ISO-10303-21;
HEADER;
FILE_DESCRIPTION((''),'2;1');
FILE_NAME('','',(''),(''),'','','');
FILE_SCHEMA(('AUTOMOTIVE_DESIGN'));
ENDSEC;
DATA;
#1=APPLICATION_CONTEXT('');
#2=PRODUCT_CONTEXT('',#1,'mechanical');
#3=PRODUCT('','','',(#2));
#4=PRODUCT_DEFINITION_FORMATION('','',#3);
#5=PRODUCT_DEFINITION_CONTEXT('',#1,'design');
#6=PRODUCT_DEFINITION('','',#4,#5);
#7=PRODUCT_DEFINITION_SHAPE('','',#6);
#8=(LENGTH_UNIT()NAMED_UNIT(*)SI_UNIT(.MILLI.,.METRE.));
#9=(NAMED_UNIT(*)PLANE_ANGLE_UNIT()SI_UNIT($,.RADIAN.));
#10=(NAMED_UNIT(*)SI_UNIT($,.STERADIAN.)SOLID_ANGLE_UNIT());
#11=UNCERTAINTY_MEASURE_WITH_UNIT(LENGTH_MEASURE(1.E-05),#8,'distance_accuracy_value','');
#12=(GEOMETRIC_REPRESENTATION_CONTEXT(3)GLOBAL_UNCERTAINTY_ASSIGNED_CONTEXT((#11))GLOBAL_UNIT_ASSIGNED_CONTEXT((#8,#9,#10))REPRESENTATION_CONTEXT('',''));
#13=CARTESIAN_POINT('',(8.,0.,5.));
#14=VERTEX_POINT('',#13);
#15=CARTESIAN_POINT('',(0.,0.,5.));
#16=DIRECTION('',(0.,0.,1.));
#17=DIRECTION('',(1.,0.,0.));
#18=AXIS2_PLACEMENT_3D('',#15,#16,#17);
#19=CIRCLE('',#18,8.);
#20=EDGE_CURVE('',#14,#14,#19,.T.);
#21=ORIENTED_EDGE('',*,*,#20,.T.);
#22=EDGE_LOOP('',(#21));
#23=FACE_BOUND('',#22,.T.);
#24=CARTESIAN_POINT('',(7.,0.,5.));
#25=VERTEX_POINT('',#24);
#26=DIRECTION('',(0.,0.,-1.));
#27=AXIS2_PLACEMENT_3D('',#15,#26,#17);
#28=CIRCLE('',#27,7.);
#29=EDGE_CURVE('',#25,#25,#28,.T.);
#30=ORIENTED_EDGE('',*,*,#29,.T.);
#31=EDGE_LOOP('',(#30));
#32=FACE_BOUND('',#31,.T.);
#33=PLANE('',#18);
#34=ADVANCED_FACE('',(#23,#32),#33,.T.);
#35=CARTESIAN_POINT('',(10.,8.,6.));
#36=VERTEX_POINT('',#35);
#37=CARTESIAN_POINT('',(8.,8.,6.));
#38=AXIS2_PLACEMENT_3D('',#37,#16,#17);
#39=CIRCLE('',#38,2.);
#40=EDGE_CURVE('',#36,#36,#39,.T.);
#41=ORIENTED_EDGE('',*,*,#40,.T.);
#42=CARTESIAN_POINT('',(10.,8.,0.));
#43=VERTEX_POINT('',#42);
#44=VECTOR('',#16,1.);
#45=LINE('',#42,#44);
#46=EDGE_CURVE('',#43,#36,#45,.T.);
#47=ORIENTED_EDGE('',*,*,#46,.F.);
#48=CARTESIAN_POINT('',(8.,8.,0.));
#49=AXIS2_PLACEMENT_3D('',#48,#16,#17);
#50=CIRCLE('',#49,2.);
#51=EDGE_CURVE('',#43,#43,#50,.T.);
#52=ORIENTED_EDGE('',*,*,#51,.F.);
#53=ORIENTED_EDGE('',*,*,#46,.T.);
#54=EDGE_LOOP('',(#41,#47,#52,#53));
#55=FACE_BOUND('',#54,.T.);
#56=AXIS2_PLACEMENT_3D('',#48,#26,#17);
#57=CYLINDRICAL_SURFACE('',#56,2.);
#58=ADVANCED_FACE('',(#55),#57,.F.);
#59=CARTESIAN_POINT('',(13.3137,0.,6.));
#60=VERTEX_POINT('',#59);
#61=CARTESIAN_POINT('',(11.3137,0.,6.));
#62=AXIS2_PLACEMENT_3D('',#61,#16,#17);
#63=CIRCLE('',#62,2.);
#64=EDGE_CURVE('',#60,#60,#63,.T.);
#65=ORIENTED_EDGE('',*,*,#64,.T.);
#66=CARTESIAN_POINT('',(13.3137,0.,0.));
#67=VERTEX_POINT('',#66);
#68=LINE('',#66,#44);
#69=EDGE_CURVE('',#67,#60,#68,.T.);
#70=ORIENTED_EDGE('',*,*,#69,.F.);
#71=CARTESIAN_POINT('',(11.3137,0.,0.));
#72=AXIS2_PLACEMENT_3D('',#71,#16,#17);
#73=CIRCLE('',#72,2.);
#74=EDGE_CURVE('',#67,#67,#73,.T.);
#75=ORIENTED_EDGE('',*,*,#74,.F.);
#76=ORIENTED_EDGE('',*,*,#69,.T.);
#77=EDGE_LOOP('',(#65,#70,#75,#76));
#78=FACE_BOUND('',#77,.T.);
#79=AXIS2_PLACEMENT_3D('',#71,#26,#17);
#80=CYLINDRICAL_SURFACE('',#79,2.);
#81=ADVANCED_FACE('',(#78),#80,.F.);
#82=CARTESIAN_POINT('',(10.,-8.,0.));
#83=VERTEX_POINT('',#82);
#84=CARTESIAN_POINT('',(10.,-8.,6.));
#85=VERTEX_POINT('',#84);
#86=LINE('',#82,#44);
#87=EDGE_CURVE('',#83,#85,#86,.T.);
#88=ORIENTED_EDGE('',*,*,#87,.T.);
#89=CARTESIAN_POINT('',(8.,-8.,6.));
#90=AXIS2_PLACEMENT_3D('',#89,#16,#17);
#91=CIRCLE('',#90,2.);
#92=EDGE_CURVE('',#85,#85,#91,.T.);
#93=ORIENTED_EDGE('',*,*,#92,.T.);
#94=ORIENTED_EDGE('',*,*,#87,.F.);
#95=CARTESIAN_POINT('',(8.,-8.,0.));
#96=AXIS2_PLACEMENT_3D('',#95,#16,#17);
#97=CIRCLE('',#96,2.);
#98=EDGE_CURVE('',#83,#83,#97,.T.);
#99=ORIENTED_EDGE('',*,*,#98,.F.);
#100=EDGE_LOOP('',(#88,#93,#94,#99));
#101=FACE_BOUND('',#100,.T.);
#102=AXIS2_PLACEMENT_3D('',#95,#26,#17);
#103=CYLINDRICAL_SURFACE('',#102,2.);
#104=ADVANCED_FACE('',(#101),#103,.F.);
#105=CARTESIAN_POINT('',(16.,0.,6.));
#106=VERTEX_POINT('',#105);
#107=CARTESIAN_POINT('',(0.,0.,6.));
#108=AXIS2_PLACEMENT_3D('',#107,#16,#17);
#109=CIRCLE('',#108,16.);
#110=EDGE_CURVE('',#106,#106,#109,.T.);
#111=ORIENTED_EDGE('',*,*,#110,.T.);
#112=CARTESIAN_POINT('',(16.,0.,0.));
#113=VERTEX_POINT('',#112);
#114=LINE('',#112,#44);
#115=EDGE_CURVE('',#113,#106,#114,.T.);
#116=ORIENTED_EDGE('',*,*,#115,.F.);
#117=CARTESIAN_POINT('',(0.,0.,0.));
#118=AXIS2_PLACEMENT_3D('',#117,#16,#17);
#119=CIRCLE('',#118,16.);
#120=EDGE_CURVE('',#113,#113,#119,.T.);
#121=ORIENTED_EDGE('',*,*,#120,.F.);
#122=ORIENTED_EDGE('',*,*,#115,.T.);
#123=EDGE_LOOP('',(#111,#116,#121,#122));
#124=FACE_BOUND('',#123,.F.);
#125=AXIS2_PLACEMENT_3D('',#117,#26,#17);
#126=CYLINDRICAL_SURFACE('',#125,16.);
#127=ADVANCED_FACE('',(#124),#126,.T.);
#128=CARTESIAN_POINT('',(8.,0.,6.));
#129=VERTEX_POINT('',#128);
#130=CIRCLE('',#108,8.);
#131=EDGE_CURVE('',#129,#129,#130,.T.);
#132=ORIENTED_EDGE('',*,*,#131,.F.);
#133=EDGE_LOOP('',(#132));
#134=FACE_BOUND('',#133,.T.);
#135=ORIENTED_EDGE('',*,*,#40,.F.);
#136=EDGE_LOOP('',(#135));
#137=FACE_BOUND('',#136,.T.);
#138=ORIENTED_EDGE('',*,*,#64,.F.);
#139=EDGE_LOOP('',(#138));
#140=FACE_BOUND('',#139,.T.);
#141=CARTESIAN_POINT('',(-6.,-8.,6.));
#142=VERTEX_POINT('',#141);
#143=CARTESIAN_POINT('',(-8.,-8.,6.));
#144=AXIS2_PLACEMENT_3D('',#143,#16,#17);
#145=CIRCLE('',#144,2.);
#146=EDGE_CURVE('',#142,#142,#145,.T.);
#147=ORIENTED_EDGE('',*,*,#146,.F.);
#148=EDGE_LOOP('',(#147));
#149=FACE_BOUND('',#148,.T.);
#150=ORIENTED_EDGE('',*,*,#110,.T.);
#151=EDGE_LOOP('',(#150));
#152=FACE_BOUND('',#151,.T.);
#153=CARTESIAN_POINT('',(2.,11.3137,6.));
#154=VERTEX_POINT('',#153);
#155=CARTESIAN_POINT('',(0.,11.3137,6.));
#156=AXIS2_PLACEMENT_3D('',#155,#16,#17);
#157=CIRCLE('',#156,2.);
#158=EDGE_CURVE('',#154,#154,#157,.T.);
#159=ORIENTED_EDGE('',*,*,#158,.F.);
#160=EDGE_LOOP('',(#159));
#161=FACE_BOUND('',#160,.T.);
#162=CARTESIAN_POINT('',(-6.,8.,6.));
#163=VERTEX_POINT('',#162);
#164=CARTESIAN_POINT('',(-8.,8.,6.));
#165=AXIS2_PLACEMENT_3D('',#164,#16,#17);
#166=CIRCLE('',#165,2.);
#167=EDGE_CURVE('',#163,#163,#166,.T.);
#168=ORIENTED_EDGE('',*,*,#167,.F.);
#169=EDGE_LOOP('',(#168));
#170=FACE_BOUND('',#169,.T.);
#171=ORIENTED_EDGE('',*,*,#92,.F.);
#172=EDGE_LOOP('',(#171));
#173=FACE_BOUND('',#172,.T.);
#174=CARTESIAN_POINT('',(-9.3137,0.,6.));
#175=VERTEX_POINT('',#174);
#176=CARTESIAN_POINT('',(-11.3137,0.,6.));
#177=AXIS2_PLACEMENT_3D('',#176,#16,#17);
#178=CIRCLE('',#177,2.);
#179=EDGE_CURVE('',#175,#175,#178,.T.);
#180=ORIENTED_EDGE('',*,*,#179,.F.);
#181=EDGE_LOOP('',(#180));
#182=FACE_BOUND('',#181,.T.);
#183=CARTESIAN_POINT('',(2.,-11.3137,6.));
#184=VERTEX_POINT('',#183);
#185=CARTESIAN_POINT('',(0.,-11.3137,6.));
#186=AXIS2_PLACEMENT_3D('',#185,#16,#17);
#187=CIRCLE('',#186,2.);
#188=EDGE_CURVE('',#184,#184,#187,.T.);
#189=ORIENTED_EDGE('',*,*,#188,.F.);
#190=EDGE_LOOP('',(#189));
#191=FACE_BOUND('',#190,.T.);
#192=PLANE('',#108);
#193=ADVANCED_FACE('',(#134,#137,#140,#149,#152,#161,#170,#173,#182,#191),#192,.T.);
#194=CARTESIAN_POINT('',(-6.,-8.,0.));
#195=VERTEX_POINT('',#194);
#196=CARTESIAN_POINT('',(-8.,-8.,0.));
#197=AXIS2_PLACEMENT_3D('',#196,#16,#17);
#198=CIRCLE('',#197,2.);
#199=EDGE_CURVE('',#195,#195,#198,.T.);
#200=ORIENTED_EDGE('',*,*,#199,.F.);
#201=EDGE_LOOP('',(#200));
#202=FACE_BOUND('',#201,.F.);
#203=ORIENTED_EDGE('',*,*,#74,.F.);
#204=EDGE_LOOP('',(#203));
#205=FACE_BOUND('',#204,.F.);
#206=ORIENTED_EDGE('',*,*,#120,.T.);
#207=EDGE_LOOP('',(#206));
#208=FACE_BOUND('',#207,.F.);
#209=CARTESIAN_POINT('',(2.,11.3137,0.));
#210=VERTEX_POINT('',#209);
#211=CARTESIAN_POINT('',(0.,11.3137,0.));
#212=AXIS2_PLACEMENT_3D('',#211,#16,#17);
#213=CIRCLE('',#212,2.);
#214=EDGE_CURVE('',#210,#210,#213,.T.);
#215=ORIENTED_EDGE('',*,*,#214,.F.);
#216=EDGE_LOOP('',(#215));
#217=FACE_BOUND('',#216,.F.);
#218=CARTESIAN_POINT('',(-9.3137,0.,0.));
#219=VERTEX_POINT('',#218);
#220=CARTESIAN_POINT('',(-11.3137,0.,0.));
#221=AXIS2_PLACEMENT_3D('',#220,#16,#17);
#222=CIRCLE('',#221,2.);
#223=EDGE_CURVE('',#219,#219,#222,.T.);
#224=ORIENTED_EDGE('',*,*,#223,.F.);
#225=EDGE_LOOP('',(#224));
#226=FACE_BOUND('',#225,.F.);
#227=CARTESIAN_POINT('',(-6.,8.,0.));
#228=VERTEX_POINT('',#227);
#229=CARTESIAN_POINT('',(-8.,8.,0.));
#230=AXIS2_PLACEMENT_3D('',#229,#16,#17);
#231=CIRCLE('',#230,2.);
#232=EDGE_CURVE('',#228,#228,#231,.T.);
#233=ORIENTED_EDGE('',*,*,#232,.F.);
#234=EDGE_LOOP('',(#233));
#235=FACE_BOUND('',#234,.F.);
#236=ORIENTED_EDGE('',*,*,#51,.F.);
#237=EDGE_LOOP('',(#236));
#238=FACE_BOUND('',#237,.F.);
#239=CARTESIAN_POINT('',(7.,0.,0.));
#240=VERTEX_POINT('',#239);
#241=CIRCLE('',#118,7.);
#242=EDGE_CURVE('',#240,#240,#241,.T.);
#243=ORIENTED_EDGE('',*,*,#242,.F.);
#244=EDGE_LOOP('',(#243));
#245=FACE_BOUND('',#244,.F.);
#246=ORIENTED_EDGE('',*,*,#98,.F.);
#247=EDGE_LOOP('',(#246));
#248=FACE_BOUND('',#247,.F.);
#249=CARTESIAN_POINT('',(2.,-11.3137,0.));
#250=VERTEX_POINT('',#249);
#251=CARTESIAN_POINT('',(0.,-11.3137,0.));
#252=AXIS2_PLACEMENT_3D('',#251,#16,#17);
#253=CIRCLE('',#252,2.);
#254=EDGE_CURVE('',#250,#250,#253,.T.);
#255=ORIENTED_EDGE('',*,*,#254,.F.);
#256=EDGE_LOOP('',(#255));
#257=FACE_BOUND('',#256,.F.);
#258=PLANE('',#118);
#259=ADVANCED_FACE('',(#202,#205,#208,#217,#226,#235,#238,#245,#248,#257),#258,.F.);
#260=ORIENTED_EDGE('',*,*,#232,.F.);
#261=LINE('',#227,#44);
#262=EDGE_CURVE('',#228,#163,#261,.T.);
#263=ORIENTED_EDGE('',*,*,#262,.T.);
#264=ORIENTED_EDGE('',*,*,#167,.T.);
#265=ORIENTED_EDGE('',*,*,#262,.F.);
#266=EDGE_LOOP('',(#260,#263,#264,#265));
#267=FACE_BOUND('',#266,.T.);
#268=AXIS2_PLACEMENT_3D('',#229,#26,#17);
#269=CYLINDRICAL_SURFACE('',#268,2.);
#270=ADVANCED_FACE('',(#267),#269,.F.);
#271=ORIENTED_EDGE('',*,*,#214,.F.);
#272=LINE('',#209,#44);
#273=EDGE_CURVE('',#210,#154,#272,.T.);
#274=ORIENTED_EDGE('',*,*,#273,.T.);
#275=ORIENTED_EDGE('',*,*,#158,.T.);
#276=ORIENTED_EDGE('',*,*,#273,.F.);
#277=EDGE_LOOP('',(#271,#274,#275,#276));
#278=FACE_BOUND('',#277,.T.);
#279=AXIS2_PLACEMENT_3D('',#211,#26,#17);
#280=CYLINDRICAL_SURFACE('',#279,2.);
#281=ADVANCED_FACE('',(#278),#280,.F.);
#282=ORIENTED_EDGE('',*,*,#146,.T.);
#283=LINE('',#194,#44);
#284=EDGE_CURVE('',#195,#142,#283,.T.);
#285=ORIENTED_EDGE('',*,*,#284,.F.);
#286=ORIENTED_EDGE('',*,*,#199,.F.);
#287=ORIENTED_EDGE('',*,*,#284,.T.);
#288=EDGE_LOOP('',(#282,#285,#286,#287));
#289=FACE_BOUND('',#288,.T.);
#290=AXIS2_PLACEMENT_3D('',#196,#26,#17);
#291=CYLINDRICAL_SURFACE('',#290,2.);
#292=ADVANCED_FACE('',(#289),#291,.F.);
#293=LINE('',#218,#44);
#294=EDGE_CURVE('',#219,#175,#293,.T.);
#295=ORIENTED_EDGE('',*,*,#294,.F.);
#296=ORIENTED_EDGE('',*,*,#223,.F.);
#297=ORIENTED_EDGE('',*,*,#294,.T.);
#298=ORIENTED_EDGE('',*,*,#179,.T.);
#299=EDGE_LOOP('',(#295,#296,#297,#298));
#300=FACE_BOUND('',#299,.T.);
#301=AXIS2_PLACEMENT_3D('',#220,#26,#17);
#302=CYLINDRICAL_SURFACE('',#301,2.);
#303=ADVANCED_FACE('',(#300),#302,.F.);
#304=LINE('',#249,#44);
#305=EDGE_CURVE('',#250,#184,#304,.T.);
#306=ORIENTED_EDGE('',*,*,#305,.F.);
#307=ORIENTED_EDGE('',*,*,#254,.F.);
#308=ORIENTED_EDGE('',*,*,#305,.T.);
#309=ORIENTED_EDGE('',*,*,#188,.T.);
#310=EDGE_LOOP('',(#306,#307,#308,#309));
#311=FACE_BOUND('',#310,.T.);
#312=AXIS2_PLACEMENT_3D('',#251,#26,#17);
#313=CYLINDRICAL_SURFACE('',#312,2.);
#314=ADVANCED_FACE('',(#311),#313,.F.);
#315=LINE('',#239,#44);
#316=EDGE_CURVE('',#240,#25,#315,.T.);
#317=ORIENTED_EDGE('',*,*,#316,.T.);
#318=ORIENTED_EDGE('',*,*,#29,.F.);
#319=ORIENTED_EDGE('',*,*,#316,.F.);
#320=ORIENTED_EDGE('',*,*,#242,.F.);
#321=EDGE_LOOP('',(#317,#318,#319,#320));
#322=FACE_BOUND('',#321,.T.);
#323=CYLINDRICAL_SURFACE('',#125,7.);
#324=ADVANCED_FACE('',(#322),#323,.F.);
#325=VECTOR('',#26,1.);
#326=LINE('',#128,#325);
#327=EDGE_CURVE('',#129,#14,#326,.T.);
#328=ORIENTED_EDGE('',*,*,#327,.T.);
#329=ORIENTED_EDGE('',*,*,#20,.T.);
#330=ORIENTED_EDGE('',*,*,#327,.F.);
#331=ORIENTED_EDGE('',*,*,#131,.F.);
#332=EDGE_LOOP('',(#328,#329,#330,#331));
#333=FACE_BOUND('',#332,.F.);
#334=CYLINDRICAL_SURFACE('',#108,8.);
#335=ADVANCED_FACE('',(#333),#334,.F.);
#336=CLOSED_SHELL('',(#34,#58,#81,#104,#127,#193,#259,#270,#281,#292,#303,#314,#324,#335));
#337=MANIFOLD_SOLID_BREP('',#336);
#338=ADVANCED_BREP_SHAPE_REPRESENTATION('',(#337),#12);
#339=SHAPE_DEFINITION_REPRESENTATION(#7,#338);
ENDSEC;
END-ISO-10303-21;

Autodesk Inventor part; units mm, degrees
ref_plane "YZ Plane" through (0, 0, 0) normal (1, 0, 0) x (0, 1, 0)
ref_plane "XZ Plane" through (0, 0, 0) normal (0, 1, 0) x (-1, 0, 0)
ref_plane "XY Plane" through (0, 0, 0) normal (0, 0, 1) x (1, 0, 0)
sketch "Base" plane through (0, 0, 0) normal (0, 0, 1) x (1, 0, 0)
  circle A0 centre (0, 0) radius 16
  circle A1 centre (0, 0) radius 7
  circle A2 centre (0, 0) radius 11.3137 construction
  line L0 (-8, 8) -> (8, 8) construction
  line L1 (8, 8) -> (8, -8) construction
  line L2 (8, -8) -> (-8, -8) construction
  line L3 (-8, -8) -> (-8, 8) construction
  circle A3 centre (-8, 8) radius 2
  circle A4 centre (8, 8) radius 2
  circle A5 centre (-8, -8) radius 2
  circle A6 centre (8, -8) radius 2
  circle A7 centre (-11.3137, 0) radius 2
  circle A8 centre (0, 11.3137) radius 2
  line L4 (0, 8) -> (0, -8) construction
  circle A9 centre (11.3137, 0) radius 2
  line L5 (-8, 0) -> (8, 0) construction
  line L6 (0, 11.3137) -> (0, 0) construction
  line L7 (0, 11.3137) -> (0, -8) construction
  line L8 (-11.3137, 0) -> (0, 0) construction
  circle A10 centre (0, -11.3137) radius 2
  line L9 (0, -11.3137) -> (0, 0) construction
  dimension "d0" = 32
  dimension "d1" = 14
  dimension "d2" = 4
  dimension "d3" = 4
  dimension "d4" = 4
  dimension "d5" = 4
  dimension "d6" = 16
extrude "BaseFeature" add sketch "Base" along normal blind 6
sketch "Indent" plane through (0, 0, 6) normal (0, 0, 1) x (1, 0, 0)
  circle A0 centre (0, 0) radius 8
  dimension "d9" = 16
extrude "IndentFeature" cut sketch "Indent" against normal blind 1
sketch "ShoulderJointPoint" plane through (0, 0, 6) normal (0, 0, 1) x (1, 0, 0)
  point P0 (0, 0)
properties part number "PatternSpacer4mm" material "Aluminum 6061"
